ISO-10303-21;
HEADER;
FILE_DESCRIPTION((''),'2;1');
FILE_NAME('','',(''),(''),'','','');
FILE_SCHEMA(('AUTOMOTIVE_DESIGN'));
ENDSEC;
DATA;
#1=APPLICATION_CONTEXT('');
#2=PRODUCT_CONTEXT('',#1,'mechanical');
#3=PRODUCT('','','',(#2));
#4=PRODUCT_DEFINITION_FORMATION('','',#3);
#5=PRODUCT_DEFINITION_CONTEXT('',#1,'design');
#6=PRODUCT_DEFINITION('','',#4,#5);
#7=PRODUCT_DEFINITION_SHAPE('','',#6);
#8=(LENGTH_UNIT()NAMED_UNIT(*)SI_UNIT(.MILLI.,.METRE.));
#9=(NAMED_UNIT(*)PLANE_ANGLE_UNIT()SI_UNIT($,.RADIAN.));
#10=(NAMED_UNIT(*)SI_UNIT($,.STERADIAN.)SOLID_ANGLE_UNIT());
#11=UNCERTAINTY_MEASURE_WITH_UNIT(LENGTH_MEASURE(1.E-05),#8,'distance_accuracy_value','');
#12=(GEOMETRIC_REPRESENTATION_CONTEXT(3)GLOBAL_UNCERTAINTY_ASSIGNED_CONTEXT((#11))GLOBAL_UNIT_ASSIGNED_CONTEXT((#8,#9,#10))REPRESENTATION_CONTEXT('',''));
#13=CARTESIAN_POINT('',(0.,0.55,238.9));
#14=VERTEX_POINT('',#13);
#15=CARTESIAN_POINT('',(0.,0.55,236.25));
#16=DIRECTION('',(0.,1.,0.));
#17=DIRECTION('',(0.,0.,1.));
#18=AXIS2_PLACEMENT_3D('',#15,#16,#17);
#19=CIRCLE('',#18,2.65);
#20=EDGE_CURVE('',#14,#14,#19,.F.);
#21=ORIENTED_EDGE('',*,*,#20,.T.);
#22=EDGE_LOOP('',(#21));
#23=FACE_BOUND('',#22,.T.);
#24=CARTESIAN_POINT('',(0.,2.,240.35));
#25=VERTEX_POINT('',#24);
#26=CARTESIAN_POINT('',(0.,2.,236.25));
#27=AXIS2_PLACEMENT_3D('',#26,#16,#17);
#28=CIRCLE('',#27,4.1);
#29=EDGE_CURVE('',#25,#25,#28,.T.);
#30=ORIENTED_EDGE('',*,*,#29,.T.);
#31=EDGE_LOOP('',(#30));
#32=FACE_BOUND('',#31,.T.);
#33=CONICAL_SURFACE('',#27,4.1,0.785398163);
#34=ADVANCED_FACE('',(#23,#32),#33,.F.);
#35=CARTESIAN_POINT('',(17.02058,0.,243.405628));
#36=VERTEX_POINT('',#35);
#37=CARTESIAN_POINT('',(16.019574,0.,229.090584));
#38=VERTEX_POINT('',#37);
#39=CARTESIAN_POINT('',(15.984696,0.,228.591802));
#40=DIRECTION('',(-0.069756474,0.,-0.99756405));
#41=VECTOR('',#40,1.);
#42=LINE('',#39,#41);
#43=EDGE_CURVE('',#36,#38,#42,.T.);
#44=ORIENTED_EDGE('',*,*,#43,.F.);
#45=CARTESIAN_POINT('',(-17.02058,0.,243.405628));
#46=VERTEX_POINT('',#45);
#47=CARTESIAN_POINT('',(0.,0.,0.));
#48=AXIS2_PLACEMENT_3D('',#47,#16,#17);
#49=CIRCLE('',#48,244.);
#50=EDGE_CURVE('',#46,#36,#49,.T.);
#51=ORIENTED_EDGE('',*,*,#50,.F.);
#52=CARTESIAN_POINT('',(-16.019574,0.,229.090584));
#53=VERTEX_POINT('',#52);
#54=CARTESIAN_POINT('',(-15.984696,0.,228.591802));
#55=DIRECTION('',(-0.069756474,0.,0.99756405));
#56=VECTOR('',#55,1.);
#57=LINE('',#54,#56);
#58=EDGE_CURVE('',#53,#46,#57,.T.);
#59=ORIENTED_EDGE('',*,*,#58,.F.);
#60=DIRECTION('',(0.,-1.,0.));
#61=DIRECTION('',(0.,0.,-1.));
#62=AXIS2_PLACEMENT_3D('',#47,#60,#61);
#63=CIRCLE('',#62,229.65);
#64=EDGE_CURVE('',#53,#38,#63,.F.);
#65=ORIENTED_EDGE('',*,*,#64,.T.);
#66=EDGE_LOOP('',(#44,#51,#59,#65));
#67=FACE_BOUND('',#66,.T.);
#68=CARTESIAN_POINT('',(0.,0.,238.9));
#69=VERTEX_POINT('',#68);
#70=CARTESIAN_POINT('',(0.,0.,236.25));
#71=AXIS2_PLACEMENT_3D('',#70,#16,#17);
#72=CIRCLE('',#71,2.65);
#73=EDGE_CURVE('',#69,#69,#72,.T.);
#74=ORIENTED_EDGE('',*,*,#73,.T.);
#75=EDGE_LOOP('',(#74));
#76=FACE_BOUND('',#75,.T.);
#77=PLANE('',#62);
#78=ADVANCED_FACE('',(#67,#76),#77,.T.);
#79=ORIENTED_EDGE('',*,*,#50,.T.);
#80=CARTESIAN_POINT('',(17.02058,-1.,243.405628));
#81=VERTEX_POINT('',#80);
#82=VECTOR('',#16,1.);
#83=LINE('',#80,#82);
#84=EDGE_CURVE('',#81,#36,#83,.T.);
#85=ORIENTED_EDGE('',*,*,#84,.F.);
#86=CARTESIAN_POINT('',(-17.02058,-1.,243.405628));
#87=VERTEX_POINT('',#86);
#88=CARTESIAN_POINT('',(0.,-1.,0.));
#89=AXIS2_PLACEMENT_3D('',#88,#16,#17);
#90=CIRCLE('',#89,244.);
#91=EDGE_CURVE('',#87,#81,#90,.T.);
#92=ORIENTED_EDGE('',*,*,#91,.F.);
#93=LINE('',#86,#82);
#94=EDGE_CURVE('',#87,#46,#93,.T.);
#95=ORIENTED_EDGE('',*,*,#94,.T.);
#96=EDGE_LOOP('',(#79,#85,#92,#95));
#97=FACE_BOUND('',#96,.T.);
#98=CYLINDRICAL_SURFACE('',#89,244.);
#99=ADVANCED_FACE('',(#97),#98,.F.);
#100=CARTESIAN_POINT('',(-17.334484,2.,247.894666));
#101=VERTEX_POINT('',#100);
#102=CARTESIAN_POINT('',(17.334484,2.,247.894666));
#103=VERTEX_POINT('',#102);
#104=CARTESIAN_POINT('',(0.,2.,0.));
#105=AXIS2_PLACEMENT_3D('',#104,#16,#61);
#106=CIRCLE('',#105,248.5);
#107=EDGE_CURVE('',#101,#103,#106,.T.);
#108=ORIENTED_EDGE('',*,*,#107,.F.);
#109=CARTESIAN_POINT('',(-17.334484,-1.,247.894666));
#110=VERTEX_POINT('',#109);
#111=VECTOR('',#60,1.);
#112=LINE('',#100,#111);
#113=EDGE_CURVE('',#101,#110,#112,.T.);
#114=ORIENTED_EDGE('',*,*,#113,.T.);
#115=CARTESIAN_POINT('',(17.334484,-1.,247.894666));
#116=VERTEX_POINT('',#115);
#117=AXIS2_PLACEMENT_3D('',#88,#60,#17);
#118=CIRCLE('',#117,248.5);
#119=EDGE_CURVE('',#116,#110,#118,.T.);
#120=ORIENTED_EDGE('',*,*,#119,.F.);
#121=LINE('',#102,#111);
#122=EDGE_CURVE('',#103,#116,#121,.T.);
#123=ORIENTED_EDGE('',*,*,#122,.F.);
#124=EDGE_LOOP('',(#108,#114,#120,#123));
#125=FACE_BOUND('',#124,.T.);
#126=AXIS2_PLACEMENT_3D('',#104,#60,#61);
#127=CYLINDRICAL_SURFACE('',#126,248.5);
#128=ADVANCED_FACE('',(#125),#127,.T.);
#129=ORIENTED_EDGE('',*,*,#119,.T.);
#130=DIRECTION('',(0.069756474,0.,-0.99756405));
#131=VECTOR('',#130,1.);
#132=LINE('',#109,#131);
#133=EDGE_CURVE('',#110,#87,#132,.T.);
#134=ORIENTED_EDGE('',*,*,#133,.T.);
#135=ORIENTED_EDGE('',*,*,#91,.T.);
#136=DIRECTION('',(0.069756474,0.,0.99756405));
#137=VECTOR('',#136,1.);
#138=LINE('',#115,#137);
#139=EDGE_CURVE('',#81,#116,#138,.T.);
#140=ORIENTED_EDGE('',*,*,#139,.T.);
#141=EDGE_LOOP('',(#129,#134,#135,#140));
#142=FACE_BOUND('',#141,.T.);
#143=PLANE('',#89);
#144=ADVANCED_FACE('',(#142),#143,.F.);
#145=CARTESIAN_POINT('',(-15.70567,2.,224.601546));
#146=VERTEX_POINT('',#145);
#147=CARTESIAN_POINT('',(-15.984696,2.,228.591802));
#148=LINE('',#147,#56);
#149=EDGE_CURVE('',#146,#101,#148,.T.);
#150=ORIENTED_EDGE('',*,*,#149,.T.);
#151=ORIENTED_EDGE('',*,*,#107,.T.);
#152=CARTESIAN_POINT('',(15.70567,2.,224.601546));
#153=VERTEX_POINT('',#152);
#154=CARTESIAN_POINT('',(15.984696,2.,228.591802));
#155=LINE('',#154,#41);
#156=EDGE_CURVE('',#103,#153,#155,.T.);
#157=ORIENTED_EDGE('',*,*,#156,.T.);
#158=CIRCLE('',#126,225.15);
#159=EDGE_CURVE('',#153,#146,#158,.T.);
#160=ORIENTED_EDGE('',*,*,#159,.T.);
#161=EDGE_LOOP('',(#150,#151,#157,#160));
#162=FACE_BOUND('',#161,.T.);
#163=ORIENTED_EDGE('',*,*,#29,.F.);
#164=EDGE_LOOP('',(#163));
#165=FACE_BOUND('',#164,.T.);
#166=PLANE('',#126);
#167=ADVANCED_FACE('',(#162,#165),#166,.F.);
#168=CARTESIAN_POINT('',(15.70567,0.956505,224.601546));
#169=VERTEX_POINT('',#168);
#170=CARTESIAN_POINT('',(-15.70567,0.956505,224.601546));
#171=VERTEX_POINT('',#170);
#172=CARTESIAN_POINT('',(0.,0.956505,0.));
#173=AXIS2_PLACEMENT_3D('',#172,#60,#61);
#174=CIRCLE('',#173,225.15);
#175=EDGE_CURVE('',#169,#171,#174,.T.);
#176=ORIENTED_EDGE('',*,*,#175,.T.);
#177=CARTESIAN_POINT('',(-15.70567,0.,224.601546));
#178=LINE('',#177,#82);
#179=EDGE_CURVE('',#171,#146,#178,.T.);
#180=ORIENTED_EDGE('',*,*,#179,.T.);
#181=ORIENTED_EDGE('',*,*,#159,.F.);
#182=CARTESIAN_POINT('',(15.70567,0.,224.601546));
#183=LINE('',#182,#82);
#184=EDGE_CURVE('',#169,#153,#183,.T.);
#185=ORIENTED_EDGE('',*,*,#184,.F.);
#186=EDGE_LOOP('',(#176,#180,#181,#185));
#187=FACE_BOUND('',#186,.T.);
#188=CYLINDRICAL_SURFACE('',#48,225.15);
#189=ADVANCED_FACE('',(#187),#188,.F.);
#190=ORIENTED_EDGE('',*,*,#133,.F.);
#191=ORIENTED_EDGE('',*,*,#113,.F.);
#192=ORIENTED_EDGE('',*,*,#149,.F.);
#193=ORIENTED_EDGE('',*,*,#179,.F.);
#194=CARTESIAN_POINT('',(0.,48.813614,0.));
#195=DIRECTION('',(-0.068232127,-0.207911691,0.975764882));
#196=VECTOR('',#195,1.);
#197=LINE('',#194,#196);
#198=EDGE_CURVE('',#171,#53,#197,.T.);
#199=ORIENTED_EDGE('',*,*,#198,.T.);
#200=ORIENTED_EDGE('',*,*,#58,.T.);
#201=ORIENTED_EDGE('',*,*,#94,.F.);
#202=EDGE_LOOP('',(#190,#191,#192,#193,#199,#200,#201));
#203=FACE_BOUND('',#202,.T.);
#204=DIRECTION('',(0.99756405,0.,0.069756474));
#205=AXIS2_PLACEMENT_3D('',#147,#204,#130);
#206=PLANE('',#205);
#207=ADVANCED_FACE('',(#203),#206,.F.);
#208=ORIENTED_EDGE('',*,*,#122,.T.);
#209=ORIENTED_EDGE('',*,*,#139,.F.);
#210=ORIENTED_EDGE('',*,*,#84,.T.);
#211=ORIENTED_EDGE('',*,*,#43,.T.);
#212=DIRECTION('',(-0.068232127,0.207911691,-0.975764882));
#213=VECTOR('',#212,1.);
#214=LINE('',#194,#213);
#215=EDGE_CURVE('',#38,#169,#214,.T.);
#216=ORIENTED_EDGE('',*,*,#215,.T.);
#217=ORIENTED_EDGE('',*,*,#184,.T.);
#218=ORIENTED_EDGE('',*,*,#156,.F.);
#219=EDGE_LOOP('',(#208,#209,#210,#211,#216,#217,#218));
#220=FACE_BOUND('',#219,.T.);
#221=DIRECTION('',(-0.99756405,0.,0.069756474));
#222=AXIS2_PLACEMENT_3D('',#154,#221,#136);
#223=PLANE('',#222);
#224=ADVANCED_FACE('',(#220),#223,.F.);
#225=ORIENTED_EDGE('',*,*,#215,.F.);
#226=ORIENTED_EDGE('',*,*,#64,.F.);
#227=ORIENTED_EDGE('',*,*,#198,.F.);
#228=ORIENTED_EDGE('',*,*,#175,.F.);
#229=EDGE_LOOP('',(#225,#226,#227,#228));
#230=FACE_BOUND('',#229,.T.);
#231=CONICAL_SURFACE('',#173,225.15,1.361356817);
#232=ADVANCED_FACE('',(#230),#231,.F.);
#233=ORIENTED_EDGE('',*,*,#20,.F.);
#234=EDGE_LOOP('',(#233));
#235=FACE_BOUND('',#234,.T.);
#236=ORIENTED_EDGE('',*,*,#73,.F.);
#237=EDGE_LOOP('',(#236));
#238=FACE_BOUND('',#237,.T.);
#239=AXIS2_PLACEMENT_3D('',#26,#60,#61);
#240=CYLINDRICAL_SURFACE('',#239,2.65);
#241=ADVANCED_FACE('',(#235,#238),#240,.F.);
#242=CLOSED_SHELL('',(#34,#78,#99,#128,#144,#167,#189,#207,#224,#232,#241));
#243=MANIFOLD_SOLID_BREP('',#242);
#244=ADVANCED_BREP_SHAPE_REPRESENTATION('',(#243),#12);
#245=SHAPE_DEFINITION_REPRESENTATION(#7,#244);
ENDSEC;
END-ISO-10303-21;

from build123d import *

# Parameters (mm, degrees)
SKETCH2_R           = 2.65
BOSS_EXTRUDE1_DEPTH = 2
BOSS_EXTRUDE2_DEPTH = 2
CHAMFER1_SIZE       = 4.5
CHAMFER1_SIZE2      = 0.956504528
BOSS_EXTRUDE3_START = 1
BOSS_EXTRUDE3_DEPTH = 1


with BuildPart() as part:
    # Sketch2 → Boss-Extrude1 (new body)
    with BuildSketch(Plane(origin=(0, 0, 0), x_dir=(1, 0, 0), z_dir=(0, 1, 0))):
        with BuildLine():
            Line((-15.984695958, -228.591802117), (-17.334483725, -247.89466649))
            ThreePointArc((-17.334483725, -247.89466649), (0, -248.5), (17.334483725, -247.89466649))
            Line((17.334483725, -247.89466649), (15.984695958, -228.591802117))
            ThreePointArc((15.984695958, -228.591802117), (0, -229.15), (-15.984695958, -228.591802117))
        make_face()
        with Locations(Location((0, -236.25, 0), (0, 0, 270))):
            Circle(SKETCH2_R, mode=Mode.SUBTRACT)
    extrude(amount=BOSS_EXTRUDE1_DEPTH)

    # Sketch3 → Boss-Extrude2 (add)
    with BuildSketch(Plane(origin=(0, 0, 0), x_dir=(1, 0, 0), z_dir=(0, 1, 0))):
        with BuildLine():
            Line((-15.705670063, -224.601545916), (-15.984695958, -228.591802117))
            ThreePointArc((-15.984695958, -228.591802117), (0, -229.15), (15.984695958, -228.591802117))
            Line((15.984695958, -228.591802117), (15.705670063, -224.601545916))
            ThreePointArc((15.705670063, -224.601545916), (0, -225.15), (-15.705670063, -224.601545916))
        make_face()
    extrude(amount=BOSS_EXTRUDE2_DEPTH)

    # Chamfer1
    chamfer1_edges = [part.edges().sort_by_distance(p)[0] for p in [
        (0, 0, 225.15),
    ]]
    chamfer1_side = [part.faces().sort_by_distance(p)[0] for p in [
        (16.100023839, 0, 236.277479174),
    ]]
    chamfer(chamfer1_edges, length=CHAMFER1_SIZE, length2=CHAMFER1_SIZE2, reference=chamfer1_side[0])

    # Sketch4 → Boss-Extrude3 (add)
    with BuildSketch(Plane.XZ.offset(BOSS_EXTRUDE3_START)):
        with BuildLine():
            Line((-17.334483725, 247.89466649), (-17.020579594, 243.405628263))
            ThreePointArc((-17.020579594, 243.405628263), (0, 244), (17.020579594, 243.405628263))
            Line((17.020579594, 243.405628263), (17.334483725, 247.89466649))
            ThreePointArc((17.334483725, 247.89466649), (0, 248.5), (-17.334483725, 247.89466649))
        make_face()
    extrude(amount=-BOSS_EXTRUDE3_DEPTH)

    # Sketch20 → CSK for M3.5 Flat Head Machine Screw2 (revolve, cut)
    with BuildSketch(Plane(origin=(0, 2, 236.25), x_dir=(0, 0, 1), z_dir=(1, 0, 0))):
        Polygon((0, 0), (0, 3), (1.85, 3), (1.85, 2.25), (4.1, 0), align=None)
    revolve(axis=Axis((0, 8.35, 236.25), (0, -1, 0)), mode=Mode.SUBTRACT)


solid = part.part
